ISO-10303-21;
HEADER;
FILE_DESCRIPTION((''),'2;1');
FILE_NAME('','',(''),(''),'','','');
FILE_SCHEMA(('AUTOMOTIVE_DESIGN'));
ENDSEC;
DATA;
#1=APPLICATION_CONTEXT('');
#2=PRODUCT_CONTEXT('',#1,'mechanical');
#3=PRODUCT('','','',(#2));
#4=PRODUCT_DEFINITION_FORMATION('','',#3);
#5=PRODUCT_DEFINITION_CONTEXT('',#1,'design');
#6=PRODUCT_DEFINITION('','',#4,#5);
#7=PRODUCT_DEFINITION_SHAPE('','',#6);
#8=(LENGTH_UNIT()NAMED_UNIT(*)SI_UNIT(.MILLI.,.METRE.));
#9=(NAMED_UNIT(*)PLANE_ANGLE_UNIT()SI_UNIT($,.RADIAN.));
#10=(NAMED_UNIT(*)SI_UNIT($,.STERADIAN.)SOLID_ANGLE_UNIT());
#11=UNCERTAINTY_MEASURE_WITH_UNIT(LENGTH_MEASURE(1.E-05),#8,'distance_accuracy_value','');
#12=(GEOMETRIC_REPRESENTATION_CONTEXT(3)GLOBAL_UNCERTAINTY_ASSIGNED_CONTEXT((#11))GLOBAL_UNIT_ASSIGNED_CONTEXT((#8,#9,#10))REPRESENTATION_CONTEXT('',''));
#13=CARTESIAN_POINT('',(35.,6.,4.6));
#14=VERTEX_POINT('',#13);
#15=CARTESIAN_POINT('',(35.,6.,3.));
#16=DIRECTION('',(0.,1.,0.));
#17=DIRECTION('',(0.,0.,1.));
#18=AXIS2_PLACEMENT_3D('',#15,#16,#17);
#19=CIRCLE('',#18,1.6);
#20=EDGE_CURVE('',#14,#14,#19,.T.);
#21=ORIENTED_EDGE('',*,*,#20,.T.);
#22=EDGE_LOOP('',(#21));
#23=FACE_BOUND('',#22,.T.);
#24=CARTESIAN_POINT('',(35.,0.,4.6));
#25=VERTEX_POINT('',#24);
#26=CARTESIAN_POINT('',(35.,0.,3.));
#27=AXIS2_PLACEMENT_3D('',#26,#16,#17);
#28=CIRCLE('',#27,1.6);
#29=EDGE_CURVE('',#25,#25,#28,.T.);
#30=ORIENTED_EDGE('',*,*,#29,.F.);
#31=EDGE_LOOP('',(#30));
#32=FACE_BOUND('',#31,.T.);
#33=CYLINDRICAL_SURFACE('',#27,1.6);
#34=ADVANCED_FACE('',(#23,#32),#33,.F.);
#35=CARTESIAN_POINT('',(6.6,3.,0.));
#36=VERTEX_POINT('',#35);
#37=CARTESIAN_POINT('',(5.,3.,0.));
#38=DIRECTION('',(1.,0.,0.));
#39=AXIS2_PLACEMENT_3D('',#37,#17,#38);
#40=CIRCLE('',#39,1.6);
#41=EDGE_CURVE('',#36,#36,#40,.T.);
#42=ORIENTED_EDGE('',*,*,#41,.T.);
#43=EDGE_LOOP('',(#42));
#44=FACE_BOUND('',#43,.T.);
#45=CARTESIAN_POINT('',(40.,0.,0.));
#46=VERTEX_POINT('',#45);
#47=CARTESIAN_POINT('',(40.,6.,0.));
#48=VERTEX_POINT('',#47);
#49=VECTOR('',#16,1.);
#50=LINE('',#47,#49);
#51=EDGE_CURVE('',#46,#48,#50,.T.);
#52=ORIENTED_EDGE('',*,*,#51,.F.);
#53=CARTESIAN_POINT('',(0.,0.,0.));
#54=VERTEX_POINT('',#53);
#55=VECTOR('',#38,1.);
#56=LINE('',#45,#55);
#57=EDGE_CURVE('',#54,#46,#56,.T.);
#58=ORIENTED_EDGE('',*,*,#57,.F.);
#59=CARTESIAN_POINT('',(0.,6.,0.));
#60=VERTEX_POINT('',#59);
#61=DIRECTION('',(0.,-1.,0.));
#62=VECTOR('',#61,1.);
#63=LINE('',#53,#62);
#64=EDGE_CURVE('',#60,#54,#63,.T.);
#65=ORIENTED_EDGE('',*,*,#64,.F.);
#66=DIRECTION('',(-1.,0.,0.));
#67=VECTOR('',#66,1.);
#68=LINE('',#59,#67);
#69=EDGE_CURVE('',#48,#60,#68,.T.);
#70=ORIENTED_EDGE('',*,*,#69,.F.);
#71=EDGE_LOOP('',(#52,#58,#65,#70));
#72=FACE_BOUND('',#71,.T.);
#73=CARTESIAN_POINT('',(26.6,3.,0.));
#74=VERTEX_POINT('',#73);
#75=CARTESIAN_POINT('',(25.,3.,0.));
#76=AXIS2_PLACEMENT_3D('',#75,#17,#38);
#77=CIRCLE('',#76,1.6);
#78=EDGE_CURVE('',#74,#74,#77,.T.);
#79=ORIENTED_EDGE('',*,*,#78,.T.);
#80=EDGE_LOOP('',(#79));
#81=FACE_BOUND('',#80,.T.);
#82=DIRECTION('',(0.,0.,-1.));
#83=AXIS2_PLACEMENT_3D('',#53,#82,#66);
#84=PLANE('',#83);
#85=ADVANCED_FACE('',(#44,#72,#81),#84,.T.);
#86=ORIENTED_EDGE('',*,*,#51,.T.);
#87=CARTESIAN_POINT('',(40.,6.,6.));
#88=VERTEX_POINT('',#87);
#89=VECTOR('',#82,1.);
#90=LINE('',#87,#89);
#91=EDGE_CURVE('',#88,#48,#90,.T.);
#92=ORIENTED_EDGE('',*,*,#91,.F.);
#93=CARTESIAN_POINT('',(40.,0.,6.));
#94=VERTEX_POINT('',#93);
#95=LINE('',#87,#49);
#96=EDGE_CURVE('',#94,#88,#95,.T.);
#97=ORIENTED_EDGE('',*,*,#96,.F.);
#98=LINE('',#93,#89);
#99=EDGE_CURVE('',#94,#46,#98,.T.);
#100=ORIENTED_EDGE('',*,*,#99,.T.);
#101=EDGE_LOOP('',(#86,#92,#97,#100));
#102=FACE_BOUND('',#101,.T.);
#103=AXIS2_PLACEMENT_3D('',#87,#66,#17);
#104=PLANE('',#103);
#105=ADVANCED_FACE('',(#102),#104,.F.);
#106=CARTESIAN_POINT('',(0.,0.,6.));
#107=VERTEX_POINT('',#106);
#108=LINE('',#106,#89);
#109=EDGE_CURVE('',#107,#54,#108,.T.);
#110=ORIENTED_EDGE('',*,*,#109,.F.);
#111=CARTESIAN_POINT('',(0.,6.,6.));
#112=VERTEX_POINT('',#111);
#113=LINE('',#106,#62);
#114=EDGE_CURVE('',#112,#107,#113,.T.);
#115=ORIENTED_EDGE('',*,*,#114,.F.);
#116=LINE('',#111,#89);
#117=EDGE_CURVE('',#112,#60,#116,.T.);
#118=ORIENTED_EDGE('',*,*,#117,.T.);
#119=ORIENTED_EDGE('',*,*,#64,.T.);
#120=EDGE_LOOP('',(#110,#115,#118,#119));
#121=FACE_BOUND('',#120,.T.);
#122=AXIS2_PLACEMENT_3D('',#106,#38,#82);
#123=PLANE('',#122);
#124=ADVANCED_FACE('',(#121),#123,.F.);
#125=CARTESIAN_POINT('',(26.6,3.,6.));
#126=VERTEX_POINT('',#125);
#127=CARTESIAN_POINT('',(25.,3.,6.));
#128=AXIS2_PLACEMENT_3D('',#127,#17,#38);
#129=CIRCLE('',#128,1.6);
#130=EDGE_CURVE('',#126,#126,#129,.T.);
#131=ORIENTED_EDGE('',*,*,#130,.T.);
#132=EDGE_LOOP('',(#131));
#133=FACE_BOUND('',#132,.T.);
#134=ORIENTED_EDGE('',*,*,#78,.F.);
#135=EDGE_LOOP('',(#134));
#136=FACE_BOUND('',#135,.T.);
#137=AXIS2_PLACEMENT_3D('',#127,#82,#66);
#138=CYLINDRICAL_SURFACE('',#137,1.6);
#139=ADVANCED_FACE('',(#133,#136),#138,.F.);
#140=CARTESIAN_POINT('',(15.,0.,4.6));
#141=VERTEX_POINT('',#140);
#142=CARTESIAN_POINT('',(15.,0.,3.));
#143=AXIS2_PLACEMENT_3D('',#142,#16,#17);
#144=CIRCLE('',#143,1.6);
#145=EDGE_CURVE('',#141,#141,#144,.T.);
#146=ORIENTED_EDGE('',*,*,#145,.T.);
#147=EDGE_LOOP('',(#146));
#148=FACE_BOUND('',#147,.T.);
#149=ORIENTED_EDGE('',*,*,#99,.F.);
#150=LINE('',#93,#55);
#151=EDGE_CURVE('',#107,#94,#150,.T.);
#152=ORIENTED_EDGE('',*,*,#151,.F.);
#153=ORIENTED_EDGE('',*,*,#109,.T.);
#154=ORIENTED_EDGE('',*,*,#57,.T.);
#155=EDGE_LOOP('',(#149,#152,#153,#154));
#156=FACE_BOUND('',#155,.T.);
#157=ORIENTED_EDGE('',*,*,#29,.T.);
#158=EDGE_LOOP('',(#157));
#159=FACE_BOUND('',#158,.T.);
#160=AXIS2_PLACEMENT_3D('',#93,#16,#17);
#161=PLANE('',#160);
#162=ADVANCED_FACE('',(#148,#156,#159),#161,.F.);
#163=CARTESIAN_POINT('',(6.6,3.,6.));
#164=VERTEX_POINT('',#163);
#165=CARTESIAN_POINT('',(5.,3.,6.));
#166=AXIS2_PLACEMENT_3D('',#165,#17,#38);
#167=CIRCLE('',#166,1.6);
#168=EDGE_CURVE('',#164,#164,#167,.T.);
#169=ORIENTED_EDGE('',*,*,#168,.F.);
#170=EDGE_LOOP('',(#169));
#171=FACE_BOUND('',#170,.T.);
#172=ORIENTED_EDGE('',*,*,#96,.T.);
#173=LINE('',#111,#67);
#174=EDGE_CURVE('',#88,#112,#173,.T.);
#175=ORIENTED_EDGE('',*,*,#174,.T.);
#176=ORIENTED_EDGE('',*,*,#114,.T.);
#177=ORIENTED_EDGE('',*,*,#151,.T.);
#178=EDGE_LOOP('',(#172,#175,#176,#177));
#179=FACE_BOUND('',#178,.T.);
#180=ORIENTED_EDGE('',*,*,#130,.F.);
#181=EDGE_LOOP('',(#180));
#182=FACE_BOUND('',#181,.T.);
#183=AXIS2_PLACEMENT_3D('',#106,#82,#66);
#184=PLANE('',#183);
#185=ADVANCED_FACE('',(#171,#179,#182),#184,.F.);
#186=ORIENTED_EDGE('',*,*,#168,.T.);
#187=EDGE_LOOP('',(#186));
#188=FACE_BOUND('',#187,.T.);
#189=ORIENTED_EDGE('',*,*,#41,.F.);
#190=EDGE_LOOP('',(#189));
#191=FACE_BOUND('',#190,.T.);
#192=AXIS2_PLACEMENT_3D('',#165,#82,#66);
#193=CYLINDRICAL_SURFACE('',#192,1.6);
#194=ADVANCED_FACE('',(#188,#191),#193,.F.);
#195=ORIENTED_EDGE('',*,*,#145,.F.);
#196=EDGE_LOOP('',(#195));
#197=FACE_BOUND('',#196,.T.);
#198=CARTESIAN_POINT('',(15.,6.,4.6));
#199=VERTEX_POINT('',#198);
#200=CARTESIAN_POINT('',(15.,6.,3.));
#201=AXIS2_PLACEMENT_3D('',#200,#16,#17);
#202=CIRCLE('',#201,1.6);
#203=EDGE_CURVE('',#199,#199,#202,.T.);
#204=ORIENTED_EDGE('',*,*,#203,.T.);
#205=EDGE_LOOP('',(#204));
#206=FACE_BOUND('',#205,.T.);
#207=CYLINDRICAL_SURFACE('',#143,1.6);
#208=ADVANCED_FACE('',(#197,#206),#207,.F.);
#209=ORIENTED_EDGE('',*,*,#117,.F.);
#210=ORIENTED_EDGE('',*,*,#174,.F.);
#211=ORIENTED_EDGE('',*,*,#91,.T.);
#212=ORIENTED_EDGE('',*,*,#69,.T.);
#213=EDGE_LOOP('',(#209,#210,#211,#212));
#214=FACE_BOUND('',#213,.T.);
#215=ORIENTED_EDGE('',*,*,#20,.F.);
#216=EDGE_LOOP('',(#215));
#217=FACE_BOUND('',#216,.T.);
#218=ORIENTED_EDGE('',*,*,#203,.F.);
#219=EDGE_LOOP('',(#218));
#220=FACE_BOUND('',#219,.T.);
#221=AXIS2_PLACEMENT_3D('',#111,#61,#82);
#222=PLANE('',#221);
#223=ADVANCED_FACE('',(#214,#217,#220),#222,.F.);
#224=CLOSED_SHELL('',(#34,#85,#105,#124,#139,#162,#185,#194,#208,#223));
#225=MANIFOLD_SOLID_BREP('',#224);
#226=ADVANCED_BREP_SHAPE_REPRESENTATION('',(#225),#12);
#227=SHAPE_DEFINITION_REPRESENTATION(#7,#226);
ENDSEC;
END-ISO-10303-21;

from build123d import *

# Parameters (mm, degrees)
SKETCH_1_W          = 40
SKETCH_1_H          = 6
SKETCH_1_R          = 1.6
EXTRUDE_1_DEPTH     = 6
SKETCH_2_R          = 1.6
CUT_EXTRUDE_1_DEPTH = 6


with BuildPart() as part:
    # 草图1 → 凸台-拉伸1 (new body)
    with BuildSketch(Plane.XY):
        with Locations((20, 3)):
            Rectangle(SKETCH_1_W, SKETCH_1_H)
        with Locations((5, 3)):
            Circle(SKETCH_1_R, mode=Mode.SUBTRACT)
        with Locations((25, 3)):
            Circle(SKETCH_1_R, mode=Mode.SUBTRACT)
    extrude(amount=EXTRUDE_1_DEPTH)

    # 草图2 → 切除-拉伸1 (cut)
    with BuildSketch(Plane(origin=(0, 6, 0), x_dir=(1, 0, 0), z_dir=(0, 1, 0))):
        with Locations((35, -3)):
            Circle(SKETCH_2_R)
        with Locations((15, -3)):
            Circle(SKETCH_2_R)
    extrude(amount=-CUT_EXTRUDE_1_DEPTH, mode=Mode.SUBTRACT)


solid = part.part
